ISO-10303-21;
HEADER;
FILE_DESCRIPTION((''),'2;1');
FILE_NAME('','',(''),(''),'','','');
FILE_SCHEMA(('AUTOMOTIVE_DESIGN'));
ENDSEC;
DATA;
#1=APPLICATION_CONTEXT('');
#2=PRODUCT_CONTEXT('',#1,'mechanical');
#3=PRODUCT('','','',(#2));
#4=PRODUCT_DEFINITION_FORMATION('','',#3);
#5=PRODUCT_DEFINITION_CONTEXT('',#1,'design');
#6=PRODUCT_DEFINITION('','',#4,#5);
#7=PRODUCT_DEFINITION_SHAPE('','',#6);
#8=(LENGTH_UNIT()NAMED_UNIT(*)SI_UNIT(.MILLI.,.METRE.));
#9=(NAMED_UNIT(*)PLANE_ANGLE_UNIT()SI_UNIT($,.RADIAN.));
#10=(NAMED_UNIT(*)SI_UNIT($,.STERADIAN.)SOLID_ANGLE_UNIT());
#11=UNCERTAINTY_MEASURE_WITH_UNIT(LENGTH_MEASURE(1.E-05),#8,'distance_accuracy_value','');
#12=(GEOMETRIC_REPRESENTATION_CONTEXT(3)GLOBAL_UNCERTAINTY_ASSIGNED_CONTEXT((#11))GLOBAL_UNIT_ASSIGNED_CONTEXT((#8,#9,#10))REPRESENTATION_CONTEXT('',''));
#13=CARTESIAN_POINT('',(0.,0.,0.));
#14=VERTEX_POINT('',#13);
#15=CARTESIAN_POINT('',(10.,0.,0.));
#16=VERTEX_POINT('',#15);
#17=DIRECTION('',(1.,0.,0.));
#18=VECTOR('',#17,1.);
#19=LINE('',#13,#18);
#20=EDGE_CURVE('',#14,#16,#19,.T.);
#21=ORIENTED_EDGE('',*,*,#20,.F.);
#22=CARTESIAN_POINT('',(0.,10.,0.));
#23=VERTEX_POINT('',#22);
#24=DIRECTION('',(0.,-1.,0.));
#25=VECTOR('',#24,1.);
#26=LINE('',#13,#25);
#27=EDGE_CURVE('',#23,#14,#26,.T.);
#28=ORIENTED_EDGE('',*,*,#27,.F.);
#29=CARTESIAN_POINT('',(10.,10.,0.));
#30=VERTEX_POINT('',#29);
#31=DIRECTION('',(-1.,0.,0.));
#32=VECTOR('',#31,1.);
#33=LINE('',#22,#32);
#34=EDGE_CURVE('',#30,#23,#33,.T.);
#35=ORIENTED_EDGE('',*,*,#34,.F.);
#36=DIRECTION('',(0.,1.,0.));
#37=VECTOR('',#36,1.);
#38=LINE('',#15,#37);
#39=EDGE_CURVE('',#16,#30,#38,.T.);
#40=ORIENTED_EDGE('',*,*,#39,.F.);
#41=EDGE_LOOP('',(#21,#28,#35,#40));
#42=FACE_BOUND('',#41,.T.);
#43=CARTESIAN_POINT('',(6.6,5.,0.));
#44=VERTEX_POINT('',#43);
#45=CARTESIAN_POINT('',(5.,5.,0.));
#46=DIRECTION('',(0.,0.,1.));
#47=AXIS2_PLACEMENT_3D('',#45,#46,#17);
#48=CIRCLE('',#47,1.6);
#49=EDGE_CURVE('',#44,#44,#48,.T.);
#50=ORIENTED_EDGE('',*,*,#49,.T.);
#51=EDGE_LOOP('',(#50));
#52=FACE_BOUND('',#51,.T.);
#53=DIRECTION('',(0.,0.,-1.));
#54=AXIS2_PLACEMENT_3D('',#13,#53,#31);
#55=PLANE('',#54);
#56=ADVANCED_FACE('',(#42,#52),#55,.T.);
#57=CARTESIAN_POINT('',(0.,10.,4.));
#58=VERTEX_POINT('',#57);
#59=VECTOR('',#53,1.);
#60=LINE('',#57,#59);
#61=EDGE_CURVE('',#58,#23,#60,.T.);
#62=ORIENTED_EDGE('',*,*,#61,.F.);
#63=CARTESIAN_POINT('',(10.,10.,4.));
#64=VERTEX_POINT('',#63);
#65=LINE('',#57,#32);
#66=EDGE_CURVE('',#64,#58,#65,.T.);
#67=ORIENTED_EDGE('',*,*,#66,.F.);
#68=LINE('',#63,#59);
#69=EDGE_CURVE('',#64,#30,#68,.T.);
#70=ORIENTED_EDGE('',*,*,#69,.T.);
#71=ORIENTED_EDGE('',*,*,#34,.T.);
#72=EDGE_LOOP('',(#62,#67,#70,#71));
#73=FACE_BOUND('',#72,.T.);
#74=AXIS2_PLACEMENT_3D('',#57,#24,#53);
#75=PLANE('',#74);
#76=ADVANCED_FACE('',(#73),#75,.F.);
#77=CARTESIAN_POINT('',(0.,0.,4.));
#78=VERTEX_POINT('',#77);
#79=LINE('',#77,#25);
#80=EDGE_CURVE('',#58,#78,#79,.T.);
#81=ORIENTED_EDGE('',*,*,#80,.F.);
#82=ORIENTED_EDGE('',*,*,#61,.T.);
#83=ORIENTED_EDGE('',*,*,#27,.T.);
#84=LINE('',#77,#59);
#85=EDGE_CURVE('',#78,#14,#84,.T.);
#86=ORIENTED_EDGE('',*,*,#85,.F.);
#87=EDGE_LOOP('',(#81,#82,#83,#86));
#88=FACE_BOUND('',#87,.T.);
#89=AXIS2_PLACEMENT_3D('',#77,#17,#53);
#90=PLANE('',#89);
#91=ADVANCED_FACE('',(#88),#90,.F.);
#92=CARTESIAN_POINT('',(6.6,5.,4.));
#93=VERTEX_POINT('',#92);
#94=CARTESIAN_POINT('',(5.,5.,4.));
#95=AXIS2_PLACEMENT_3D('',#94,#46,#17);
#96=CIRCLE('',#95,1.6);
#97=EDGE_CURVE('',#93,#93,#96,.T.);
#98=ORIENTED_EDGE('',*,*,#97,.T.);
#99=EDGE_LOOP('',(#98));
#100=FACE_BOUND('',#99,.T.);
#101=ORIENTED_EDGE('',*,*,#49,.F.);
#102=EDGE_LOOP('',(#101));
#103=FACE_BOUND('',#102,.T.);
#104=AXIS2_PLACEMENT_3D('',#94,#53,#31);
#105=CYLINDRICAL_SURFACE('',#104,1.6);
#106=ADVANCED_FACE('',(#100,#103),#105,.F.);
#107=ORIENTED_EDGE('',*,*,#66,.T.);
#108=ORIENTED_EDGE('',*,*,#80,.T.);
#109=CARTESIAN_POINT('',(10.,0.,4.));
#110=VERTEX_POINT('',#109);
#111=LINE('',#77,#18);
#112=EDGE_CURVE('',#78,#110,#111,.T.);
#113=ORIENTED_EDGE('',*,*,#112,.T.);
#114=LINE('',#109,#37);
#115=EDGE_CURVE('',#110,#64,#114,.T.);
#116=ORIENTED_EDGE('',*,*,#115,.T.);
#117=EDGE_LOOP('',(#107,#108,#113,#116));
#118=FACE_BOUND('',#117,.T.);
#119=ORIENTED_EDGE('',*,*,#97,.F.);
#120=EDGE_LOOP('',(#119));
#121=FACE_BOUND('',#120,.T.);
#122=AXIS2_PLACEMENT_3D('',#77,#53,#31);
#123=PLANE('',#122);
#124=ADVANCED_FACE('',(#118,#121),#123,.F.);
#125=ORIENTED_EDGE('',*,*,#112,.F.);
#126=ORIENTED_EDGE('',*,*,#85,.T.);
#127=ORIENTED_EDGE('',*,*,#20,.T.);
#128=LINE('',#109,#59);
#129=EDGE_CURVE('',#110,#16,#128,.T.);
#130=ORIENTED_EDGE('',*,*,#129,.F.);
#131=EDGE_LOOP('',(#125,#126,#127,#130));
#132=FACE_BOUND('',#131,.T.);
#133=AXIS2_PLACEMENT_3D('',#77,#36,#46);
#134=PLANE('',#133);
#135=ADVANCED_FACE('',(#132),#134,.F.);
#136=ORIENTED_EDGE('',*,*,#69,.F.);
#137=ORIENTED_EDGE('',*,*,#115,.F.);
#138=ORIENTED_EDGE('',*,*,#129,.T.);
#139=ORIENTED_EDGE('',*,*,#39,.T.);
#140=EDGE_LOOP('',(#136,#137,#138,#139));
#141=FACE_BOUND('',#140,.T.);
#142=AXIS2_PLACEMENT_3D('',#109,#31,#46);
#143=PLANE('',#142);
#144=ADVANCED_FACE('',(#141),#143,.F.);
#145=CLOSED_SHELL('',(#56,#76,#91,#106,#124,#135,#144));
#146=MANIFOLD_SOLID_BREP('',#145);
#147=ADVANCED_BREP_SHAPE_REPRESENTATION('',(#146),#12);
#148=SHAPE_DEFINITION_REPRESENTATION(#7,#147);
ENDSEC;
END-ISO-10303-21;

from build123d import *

# Parameters (mm, degrees)
SKETCH_1_W      = 10
SKETCH_1_H      = 10
SKETCH_1_R      = 1.6
EXTRUDE_1_DEPTH = 4


with BuildPart() as part:
    # 草图1 → 凸台-拉伸1 (new body)
    with BuildSketch(Plane.XY):
        with Locations((5, 5)):
            Rectangle(SKETCH_1_W, SKETCH_1_H)
        with Locations((5, 5)):
            Circle(SKETCH_1_R, mode=Mode.SUBTRACT)
    extrude(amount=EXTRUDE_1_DEPTH)


solid = part.part
